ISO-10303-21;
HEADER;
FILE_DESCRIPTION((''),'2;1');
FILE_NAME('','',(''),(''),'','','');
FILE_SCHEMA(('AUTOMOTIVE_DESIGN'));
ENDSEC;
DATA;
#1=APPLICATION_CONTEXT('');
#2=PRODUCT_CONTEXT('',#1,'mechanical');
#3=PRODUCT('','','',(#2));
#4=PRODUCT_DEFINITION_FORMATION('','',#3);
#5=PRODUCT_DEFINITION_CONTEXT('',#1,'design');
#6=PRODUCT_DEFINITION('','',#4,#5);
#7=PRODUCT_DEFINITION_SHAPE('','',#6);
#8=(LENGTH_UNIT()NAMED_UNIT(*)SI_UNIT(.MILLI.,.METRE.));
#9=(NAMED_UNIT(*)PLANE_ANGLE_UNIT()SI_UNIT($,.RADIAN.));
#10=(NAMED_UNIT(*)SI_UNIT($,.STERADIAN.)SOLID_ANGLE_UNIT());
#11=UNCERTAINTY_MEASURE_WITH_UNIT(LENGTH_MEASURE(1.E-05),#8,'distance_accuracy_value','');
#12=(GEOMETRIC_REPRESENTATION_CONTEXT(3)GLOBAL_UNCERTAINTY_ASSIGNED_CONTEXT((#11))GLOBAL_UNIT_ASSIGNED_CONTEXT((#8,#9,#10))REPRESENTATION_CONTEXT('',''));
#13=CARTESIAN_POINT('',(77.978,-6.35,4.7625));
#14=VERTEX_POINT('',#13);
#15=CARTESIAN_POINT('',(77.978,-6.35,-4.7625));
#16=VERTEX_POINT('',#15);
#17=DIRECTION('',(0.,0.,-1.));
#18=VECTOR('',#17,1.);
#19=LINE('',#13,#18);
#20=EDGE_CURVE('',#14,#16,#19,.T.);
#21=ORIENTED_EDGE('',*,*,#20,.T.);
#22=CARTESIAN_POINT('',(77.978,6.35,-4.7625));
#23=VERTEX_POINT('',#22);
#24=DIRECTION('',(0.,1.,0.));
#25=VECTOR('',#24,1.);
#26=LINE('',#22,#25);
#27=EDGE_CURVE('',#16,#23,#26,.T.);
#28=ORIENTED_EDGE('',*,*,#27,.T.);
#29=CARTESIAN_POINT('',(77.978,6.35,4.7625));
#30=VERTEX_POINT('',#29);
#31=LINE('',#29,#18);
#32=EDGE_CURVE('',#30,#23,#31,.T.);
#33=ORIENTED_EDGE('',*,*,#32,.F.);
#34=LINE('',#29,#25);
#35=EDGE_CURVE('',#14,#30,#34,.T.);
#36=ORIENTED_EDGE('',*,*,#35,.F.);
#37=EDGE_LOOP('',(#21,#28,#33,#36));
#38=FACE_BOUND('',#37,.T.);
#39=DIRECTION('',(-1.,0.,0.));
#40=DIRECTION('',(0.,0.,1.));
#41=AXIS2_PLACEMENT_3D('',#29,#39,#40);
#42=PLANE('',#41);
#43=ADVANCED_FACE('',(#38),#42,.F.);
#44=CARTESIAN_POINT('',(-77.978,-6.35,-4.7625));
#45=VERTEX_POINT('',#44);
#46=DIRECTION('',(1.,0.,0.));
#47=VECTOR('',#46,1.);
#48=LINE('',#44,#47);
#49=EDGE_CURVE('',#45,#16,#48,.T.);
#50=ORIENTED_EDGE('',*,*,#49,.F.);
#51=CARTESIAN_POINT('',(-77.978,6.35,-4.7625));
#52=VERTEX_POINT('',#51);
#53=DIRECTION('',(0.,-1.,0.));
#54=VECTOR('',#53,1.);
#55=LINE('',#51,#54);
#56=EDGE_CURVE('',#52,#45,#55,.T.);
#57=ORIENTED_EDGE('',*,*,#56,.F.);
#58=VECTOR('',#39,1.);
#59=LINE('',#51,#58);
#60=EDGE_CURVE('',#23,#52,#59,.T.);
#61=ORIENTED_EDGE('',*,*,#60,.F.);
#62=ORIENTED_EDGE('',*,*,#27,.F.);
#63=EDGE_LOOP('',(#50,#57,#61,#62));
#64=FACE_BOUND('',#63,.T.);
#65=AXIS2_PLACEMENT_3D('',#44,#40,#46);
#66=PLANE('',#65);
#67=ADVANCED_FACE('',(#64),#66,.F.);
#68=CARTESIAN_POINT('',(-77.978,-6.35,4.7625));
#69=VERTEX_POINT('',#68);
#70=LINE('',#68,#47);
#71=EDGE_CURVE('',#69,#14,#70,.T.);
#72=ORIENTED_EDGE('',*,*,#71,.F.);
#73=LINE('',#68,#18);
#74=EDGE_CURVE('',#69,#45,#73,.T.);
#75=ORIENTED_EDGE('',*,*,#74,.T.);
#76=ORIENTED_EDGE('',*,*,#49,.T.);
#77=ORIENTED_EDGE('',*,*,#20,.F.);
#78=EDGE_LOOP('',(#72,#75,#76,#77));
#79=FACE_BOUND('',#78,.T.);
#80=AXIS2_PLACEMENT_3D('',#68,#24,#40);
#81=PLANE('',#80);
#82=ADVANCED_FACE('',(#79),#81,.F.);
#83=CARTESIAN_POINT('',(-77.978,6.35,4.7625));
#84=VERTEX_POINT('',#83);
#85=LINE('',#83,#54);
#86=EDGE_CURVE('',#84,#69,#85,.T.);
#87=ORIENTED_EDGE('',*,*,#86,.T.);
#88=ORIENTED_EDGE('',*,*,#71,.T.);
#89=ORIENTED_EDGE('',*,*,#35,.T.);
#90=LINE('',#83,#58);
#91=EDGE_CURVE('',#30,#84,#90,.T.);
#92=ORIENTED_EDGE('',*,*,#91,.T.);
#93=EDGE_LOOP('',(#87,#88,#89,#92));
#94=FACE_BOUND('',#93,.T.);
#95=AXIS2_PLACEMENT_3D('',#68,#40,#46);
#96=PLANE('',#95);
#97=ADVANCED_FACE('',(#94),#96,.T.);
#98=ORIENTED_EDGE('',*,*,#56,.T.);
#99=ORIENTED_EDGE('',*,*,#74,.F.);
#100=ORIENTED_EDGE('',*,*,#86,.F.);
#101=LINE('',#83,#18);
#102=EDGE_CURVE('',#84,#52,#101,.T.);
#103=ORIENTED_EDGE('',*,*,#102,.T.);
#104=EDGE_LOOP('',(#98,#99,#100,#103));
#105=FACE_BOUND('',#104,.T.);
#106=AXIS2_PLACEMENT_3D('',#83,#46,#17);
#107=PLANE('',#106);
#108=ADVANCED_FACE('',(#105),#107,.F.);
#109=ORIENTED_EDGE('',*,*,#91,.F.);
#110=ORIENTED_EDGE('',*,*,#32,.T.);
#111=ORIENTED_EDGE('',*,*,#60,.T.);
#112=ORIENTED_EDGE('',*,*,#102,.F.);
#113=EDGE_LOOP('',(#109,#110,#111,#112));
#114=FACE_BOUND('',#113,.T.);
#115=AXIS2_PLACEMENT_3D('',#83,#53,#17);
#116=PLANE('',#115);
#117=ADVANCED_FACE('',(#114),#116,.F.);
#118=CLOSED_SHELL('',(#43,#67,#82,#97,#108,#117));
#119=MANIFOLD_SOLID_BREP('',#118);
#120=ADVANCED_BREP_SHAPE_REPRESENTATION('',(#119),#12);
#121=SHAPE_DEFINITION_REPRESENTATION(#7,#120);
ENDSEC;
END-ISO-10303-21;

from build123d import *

# Parameters (mm, degrees)
SKETCH1_W      = 155.956
SKETCH1_H      = 12.7
EXTRUDE1_DEPTH = 4.7625


with BuildPart() as part:
    # Sketch1 → Extrude1 (new, symmetric)
    with BuildSketch(Plane.XY):
        Rectangle(SKETCH1_W, SKETCH1_H)
    extrude(amount=EXTRUDE1_DEPTH, both=True)


solid = part.part
